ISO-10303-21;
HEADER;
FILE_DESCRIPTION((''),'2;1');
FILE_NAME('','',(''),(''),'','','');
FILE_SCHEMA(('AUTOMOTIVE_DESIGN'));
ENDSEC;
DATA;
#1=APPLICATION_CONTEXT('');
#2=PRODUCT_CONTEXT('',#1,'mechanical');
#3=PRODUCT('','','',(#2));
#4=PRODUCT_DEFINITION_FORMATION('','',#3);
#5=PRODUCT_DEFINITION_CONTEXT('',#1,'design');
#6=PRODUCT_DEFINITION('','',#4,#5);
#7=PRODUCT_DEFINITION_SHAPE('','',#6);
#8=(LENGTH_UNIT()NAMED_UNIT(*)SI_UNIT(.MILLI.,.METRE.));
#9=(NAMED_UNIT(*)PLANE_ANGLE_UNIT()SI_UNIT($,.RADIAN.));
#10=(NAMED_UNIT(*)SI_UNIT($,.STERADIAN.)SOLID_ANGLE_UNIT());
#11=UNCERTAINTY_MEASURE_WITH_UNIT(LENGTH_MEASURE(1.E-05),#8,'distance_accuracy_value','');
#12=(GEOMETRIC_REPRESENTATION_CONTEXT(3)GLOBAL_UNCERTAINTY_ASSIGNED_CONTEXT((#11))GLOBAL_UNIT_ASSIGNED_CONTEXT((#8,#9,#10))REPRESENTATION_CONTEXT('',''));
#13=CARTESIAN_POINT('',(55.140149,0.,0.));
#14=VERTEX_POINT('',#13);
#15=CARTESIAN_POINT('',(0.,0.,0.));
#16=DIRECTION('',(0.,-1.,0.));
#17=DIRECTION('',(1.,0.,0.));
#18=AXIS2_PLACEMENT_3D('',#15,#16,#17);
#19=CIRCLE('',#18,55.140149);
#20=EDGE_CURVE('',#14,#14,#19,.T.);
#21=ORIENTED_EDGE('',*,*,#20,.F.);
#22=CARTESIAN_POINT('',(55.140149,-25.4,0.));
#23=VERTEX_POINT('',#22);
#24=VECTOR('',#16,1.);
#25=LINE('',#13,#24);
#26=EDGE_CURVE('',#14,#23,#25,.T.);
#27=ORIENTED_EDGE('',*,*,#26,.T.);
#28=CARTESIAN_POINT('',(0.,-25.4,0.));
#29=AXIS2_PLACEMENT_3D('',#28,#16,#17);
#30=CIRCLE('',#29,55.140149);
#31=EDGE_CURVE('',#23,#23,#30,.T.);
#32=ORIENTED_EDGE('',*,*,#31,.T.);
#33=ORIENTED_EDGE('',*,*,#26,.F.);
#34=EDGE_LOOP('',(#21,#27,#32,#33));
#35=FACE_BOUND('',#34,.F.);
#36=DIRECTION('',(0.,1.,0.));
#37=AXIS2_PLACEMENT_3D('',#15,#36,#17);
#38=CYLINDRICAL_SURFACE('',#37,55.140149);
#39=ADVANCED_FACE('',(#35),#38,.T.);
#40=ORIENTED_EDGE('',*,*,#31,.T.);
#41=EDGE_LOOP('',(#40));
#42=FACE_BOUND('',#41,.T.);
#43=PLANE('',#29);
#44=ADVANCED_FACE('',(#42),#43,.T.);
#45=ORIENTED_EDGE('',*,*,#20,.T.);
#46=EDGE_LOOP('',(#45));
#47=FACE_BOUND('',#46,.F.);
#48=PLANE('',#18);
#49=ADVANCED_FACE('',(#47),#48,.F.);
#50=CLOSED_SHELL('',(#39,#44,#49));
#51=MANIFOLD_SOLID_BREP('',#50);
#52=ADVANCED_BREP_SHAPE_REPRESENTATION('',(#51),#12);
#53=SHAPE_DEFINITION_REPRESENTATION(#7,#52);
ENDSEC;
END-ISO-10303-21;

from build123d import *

# Parameters (mm, degrees)
F0_R     = 55.140149
F1_DEPTH = 25.4
F2_W     = 41.272126
F2_H     = 42.177219
F3_DEPTH = 25.4


with BuildPart() as f1:
    # F0 (on Front) → F1 (new body)
    with BuildSketch(Plane.XZ):
        Circle(F0_R)
    extrude(amount=F1_DEPTH)

    # F2 (on Front) → F3 (join)
    with BuildSketch(Plane.XZ):
        with Locations((1.448145, -1.538654)):
            Rectangle(F2_W, F2_H)
    extrude(amount=F3_DEPTH)


solid = f1.part
